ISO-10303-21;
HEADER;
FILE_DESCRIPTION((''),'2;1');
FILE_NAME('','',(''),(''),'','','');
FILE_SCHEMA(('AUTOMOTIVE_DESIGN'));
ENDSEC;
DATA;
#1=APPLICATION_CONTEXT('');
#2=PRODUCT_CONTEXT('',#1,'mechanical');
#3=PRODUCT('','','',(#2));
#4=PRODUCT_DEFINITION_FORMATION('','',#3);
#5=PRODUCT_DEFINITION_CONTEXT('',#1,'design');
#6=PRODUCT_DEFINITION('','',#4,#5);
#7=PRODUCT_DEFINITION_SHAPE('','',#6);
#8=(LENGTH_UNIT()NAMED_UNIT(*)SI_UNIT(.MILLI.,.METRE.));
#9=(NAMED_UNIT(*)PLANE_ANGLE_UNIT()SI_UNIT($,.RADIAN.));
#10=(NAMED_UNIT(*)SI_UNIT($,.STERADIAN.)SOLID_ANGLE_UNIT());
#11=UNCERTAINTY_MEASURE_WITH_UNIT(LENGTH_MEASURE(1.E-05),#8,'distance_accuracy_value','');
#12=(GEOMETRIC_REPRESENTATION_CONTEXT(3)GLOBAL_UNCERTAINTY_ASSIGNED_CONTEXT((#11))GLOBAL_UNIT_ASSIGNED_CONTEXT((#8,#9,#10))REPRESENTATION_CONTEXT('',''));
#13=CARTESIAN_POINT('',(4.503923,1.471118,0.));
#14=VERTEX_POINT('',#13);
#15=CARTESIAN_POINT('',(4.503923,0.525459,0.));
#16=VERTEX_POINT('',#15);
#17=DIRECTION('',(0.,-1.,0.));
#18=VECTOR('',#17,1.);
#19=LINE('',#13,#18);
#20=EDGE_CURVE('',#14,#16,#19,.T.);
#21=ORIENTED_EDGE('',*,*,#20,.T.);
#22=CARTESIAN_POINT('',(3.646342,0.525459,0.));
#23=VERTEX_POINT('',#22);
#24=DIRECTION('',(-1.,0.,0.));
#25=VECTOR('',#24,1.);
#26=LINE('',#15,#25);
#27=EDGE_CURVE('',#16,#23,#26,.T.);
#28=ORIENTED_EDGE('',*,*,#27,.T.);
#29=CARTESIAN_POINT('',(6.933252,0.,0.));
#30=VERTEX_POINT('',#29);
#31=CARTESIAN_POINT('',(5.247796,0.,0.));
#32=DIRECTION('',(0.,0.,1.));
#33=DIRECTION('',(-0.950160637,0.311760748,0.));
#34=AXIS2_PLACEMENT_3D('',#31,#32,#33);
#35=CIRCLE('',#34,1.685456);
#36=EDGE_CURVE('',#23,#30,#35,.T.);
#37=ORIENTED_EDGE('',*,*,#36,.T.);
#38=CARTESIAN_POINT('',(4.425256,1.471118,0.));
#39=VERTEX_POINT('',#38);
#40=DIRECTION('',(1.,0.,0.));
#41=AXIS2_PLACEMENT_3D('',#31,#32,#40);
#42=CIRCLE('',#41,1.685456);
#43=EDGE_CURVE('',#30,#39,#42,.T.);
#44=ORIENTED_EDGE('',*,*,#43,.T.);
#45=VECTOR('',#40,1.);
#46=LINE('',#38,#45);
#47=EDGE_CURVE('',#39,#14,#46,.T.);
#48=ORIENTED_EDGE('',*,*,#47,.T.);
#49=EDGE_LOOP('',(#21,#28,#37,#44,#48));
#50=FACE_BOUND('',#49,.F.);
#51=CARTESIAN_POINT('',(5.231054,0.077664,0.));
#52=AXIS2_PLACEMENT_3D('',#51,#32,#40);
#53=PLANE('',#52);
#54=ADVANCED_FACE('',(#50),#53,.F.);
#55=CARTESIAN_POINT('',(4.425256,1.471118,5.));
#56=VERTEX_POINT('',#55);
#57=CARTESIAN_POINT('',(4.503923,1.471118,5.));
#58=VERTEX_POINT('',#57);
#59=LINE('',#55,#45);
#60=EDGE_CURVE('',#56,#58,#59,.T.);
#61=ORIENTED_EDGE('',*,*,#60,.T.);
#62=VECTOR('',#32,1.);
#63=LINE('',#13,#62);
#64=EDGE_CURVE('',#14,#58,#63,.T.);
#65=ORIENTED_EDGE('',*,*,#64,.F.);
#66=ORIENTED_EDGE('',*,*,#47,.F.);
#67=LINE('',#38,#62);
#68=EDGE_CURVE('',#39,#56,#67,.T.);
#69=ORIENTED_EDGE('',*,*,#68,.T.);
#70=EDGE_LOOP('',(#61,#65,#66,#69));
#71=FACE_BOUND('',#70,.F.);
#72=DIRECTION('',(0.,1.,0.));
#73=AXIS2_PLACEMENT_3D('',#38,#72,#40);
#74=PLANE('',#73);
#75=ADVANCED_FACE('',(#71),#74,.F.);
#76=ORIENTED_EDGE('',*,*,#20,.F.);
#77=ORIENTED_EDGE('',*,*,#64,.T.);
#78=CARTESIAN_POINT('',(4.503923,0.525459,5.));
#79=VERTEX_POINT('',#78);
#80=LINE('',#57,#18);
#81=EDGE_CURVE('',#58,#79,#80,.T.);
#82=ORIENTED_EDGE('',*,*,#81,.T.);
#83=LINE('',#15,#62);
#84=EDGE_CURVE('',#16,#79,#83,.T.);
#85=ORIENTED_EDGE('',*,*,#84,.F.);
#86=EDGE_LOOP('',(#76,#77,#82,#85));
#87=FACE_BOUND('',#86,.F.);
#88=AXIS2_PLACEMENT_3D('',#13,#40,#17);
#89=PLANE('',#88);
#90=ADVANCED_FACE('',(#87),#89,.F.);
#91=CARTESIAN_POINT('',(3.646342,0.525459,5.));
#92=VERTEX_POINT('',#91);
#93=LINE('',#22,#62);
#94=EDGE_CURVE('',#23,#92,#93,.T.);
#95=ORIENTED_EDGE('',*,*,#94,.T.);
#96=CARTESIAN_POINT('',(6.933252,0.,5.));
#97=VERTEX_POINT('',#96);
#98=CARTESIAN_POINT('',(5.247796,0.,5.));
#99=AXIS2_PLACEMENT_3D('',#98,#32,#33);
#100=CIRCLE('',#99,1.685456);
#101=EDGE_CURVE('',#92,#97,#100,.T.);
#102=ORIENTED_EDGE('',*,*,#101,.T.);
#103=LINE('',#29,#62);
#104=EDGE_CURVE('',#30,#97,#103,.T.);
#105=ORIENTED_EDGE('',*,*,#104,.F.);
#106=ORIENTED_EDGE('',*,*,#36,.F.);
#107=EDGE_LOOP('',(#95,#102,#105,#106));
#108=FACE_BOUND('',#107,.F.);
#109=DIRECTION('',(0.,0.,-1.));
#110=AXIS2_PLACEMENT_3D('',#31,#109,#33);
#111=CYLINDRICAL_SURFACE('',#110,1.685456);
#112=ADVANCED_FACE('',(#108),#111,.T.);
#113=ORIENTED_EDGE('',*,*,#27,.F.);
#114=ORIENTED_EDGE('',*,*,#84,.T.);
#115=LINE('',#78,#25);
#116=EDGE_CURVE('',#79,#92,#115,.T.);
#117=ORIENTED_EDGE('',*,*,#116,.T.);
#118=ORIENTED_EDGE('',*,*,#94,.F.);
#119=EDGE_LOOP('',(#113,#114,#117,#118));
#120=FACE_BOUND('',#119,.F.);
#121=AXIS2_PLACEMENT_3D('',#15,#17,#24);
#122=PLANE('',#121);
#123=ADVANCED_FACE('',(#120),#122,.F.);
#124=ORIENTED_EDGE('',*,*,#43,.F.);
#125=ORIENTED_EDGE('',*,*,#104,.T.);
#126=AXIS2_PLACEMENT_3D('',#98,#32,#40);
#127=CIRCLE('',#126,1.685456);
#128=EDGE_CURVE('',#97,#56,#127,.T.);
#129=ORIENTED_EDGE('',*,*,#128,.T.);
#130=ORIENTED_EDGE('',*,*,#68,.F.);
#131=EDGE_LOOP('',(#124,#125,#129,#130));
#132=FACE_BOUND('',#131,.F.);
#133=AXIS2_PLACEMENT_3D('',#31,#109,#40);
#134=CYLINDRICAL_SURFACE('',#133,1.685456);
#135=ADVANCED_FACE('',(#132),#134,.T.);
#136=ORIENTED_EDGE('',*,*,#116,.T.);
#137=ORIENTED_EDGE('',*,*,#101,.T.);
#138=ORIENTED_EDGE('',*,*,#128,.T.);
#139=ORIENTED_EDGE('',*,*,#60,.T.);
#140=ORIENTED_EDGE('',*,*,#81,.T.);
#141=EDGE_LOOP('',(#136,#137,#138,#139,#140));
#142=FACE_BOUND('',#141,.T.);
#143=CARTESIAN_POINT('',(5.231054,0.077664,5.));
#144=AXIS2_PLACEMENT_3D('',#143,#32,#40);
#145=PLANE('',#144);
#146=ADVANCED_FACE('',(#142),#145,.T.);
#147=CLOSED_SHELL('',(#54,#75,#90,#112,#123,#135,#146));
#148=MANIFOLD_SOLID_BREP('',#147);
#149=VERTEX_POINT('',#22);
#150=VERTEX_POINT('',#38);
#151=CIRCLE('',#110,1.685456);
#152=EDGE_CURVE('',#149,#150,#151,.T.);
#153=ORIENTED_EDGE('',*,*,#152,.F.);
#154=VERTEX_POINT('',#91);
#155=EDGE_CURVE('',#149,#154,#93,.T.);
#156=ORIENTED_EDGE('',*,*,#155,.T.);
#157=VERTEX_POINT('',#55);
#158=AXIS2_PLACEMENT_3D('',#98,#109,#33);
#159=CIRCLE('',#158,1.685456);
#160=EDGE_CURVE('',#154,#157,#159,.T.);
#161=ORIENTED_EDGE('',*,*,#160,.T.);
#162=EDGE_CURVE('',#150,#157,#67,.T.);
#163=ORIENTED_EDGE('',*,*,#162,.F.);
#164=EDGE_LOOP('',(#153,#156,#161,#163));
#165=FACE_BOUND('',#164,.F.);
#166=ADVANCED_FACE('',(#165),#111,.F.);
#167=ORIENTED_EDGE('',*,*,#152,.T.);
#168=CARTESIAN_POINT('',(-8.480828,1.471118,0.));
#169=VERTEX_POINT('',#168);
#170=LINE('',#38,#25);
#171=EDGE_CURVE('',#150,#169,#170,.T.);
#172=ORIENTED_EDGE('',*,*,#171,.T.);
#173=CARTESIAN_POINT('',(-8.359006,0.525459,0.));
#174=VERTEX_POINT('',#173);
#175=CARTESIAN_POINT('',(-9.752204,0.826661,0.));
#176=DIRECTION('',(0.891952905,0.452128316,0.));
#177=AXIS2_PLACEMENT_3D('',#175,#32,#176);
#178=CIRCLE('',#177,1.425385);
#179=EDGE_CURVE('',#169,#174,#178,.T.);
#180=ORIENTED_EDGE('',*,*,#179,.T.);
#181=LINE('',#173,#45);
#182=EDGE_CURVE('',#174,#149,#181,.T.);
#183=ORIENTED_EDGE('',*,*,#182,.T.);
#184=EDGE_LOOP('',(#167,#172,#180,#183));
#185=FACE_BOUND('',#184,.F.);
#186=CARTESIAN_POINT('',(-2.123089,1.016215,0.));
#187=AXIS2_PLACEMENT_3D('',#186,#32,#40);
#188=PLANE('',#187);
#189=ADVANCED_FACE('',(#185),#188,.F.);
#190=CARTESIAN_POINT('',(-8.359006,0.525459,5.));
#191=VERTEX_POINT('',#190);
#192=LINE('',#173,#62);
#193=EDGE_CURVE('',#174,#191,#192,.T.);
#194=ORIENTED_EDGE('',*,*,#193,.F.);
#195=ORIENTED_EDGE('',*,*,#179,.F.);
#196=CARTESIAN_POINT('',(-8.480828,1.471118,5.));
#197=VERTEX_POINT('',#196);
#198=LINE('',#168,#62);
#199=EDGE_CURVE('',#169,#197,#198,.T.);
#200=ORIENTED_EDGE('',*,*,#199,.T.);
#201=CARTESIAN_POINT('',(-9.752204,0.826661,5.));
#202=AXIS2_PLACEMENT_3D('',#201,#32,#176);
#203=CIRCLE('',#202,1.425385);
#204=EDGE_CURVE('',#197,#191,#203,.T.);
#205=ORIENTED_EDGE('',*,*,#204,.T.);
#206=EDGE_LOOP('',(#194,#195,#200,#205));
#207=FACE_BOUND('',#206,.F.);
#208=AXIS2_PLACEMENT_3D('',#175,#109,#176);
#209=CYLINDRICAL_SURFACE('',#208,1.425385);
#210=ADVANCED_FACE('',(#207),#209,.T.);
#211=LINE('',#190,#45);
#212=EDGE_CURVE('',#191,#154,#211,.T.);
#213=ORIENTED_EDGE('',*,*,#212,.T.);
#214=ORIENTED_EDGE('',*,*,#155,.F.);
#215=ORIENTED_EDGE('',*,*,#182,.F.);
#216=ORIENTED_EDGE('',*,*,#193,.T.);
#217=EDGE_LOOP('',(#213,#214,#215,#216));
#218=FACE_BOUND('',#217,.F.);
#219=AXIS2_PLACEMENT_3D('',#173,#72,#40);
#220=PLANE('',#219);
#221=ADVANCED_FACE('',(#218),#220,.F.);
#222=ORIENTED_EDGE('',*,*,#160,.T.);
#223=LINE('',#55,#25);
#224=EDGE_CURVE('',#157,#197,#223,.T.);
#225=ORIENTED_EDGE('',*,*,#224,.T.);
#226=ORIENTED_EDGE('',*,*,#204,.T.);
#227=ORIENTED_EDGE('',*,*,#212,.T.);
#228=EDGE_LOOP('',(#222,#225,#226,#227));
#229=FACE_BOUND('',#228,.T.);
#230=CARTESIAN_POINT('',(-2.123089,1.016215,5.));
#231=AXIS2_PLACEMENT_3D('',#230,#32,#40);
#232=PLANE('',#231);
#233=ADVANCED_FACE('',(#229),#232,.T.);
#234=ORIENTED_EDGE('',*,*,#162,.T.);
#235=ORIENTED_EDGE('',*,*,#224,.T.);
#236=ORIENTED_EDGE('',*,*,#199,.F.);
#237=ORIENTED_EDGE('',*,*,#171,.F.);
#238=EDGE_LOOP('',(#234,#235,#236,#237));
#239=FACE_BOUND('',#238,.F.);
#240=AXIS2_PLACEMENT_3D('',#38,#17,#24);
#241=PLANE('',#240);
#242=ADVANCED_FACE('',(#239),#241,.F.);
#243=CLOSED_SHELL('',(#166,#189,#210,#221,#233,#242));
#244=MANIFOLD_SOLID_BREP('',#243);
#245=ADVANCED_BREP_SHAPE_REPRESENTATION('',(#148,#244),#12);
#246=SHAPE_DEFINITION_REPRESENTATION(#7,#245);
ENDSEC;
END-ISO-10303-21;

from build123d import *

# Parameters (mm, degrees)
F1_DEPTH = 5


with BuildPart() as f1:
    # F0 (on Top) → F1 (new body)
    with BuildSketch(Plane.XY):
        with BuildLine():
            ThreePointArc((6.9332515671, 0), (6.1005577036, 1.4538081103), (4.4252555029, 1.4711178839))
            Line((4.4252555029, 1.4711178839), (4.503922537, 1.4711178839))
            Line((4.503922537, 1.4711178839), (4.503922537, 0.5254589021))
            Line((4.503922537, 0.5254589021), (3.6463423756, 0.5254589021))
            ThreePointArc((3.6463423756, 0.5254589021), (4.9817304551, -1.6643226168), (6.9332515671, 0))
        make_face()
    extrude(amount=F1_DEPTH)


with BuildPart() as f1b:
    # F0 (on Top) → F1, piece 2 (new body)
    with BuildSketch(Plane.XY):
        with BuildLine():
            ThreePointArc((-8.4808278434, 1.4711178839), (-8.365855866, 1.1579627381), (-8.3268191465, 0.8266610093))
            ThreePointArc((-8.3268191465, 0.8266610093), (-8.3348888277, 0.6752024877), (-8.3590064999, 0.5254589021))
            Line((-8.3590064999, 0.5254589021), (3.6463423756, 0.5254589021))
            ThreePointArc((3.6463423756, 0.5254589021), (3.9468330448, 1.0715671377), (4.4252555029, 1.4711178839))
            Line((4.4252555029, 1.4711178839), (-8.4808278434, 1.4711178839))
        make_face()
        with BuildLine():
            Line((-10.496077463, 1.4711178839), (-8.4808278434, 1.4711178839))
            ThreePointArc((-8.4808278434, 1.4711178839), (-11.1659069996, 0.6445454725), (-8.3590064999, 0.5254589021))
            Line((-8.3590064999, 0.5254589021), (-10.496077463, 0.5254589021))
            Line((-10.496077463, 0.5254589021), (-10.496077463, 1.4711178839))
        make_face()
        with BuildLine():
            ThreePointArc((-8.3590064999, 0.5254589021), (-8.3348888277, 0.6752024877), (-8.3268191465, 0.8266610093))
            ThreePointArc((-8.3268191465, 0.8266610093), (-8.365855866, 1.1579627381), (-8.4808278434, 1.4711178839))
            Line((-8.4808278434, 1.4711178839), (-10.496077463, 1.4711178839))
            Line((-10.496077463, 1.4711178839), (-10.496077463, 0.5254589021))
            Line((-10.496077463, 0.5254589021), (-8.3590064999, 0.5254589021))
        make_face()
    extrude(amount=F1_DEPTH)


solid = Compound([f1.part, f1b.part])
